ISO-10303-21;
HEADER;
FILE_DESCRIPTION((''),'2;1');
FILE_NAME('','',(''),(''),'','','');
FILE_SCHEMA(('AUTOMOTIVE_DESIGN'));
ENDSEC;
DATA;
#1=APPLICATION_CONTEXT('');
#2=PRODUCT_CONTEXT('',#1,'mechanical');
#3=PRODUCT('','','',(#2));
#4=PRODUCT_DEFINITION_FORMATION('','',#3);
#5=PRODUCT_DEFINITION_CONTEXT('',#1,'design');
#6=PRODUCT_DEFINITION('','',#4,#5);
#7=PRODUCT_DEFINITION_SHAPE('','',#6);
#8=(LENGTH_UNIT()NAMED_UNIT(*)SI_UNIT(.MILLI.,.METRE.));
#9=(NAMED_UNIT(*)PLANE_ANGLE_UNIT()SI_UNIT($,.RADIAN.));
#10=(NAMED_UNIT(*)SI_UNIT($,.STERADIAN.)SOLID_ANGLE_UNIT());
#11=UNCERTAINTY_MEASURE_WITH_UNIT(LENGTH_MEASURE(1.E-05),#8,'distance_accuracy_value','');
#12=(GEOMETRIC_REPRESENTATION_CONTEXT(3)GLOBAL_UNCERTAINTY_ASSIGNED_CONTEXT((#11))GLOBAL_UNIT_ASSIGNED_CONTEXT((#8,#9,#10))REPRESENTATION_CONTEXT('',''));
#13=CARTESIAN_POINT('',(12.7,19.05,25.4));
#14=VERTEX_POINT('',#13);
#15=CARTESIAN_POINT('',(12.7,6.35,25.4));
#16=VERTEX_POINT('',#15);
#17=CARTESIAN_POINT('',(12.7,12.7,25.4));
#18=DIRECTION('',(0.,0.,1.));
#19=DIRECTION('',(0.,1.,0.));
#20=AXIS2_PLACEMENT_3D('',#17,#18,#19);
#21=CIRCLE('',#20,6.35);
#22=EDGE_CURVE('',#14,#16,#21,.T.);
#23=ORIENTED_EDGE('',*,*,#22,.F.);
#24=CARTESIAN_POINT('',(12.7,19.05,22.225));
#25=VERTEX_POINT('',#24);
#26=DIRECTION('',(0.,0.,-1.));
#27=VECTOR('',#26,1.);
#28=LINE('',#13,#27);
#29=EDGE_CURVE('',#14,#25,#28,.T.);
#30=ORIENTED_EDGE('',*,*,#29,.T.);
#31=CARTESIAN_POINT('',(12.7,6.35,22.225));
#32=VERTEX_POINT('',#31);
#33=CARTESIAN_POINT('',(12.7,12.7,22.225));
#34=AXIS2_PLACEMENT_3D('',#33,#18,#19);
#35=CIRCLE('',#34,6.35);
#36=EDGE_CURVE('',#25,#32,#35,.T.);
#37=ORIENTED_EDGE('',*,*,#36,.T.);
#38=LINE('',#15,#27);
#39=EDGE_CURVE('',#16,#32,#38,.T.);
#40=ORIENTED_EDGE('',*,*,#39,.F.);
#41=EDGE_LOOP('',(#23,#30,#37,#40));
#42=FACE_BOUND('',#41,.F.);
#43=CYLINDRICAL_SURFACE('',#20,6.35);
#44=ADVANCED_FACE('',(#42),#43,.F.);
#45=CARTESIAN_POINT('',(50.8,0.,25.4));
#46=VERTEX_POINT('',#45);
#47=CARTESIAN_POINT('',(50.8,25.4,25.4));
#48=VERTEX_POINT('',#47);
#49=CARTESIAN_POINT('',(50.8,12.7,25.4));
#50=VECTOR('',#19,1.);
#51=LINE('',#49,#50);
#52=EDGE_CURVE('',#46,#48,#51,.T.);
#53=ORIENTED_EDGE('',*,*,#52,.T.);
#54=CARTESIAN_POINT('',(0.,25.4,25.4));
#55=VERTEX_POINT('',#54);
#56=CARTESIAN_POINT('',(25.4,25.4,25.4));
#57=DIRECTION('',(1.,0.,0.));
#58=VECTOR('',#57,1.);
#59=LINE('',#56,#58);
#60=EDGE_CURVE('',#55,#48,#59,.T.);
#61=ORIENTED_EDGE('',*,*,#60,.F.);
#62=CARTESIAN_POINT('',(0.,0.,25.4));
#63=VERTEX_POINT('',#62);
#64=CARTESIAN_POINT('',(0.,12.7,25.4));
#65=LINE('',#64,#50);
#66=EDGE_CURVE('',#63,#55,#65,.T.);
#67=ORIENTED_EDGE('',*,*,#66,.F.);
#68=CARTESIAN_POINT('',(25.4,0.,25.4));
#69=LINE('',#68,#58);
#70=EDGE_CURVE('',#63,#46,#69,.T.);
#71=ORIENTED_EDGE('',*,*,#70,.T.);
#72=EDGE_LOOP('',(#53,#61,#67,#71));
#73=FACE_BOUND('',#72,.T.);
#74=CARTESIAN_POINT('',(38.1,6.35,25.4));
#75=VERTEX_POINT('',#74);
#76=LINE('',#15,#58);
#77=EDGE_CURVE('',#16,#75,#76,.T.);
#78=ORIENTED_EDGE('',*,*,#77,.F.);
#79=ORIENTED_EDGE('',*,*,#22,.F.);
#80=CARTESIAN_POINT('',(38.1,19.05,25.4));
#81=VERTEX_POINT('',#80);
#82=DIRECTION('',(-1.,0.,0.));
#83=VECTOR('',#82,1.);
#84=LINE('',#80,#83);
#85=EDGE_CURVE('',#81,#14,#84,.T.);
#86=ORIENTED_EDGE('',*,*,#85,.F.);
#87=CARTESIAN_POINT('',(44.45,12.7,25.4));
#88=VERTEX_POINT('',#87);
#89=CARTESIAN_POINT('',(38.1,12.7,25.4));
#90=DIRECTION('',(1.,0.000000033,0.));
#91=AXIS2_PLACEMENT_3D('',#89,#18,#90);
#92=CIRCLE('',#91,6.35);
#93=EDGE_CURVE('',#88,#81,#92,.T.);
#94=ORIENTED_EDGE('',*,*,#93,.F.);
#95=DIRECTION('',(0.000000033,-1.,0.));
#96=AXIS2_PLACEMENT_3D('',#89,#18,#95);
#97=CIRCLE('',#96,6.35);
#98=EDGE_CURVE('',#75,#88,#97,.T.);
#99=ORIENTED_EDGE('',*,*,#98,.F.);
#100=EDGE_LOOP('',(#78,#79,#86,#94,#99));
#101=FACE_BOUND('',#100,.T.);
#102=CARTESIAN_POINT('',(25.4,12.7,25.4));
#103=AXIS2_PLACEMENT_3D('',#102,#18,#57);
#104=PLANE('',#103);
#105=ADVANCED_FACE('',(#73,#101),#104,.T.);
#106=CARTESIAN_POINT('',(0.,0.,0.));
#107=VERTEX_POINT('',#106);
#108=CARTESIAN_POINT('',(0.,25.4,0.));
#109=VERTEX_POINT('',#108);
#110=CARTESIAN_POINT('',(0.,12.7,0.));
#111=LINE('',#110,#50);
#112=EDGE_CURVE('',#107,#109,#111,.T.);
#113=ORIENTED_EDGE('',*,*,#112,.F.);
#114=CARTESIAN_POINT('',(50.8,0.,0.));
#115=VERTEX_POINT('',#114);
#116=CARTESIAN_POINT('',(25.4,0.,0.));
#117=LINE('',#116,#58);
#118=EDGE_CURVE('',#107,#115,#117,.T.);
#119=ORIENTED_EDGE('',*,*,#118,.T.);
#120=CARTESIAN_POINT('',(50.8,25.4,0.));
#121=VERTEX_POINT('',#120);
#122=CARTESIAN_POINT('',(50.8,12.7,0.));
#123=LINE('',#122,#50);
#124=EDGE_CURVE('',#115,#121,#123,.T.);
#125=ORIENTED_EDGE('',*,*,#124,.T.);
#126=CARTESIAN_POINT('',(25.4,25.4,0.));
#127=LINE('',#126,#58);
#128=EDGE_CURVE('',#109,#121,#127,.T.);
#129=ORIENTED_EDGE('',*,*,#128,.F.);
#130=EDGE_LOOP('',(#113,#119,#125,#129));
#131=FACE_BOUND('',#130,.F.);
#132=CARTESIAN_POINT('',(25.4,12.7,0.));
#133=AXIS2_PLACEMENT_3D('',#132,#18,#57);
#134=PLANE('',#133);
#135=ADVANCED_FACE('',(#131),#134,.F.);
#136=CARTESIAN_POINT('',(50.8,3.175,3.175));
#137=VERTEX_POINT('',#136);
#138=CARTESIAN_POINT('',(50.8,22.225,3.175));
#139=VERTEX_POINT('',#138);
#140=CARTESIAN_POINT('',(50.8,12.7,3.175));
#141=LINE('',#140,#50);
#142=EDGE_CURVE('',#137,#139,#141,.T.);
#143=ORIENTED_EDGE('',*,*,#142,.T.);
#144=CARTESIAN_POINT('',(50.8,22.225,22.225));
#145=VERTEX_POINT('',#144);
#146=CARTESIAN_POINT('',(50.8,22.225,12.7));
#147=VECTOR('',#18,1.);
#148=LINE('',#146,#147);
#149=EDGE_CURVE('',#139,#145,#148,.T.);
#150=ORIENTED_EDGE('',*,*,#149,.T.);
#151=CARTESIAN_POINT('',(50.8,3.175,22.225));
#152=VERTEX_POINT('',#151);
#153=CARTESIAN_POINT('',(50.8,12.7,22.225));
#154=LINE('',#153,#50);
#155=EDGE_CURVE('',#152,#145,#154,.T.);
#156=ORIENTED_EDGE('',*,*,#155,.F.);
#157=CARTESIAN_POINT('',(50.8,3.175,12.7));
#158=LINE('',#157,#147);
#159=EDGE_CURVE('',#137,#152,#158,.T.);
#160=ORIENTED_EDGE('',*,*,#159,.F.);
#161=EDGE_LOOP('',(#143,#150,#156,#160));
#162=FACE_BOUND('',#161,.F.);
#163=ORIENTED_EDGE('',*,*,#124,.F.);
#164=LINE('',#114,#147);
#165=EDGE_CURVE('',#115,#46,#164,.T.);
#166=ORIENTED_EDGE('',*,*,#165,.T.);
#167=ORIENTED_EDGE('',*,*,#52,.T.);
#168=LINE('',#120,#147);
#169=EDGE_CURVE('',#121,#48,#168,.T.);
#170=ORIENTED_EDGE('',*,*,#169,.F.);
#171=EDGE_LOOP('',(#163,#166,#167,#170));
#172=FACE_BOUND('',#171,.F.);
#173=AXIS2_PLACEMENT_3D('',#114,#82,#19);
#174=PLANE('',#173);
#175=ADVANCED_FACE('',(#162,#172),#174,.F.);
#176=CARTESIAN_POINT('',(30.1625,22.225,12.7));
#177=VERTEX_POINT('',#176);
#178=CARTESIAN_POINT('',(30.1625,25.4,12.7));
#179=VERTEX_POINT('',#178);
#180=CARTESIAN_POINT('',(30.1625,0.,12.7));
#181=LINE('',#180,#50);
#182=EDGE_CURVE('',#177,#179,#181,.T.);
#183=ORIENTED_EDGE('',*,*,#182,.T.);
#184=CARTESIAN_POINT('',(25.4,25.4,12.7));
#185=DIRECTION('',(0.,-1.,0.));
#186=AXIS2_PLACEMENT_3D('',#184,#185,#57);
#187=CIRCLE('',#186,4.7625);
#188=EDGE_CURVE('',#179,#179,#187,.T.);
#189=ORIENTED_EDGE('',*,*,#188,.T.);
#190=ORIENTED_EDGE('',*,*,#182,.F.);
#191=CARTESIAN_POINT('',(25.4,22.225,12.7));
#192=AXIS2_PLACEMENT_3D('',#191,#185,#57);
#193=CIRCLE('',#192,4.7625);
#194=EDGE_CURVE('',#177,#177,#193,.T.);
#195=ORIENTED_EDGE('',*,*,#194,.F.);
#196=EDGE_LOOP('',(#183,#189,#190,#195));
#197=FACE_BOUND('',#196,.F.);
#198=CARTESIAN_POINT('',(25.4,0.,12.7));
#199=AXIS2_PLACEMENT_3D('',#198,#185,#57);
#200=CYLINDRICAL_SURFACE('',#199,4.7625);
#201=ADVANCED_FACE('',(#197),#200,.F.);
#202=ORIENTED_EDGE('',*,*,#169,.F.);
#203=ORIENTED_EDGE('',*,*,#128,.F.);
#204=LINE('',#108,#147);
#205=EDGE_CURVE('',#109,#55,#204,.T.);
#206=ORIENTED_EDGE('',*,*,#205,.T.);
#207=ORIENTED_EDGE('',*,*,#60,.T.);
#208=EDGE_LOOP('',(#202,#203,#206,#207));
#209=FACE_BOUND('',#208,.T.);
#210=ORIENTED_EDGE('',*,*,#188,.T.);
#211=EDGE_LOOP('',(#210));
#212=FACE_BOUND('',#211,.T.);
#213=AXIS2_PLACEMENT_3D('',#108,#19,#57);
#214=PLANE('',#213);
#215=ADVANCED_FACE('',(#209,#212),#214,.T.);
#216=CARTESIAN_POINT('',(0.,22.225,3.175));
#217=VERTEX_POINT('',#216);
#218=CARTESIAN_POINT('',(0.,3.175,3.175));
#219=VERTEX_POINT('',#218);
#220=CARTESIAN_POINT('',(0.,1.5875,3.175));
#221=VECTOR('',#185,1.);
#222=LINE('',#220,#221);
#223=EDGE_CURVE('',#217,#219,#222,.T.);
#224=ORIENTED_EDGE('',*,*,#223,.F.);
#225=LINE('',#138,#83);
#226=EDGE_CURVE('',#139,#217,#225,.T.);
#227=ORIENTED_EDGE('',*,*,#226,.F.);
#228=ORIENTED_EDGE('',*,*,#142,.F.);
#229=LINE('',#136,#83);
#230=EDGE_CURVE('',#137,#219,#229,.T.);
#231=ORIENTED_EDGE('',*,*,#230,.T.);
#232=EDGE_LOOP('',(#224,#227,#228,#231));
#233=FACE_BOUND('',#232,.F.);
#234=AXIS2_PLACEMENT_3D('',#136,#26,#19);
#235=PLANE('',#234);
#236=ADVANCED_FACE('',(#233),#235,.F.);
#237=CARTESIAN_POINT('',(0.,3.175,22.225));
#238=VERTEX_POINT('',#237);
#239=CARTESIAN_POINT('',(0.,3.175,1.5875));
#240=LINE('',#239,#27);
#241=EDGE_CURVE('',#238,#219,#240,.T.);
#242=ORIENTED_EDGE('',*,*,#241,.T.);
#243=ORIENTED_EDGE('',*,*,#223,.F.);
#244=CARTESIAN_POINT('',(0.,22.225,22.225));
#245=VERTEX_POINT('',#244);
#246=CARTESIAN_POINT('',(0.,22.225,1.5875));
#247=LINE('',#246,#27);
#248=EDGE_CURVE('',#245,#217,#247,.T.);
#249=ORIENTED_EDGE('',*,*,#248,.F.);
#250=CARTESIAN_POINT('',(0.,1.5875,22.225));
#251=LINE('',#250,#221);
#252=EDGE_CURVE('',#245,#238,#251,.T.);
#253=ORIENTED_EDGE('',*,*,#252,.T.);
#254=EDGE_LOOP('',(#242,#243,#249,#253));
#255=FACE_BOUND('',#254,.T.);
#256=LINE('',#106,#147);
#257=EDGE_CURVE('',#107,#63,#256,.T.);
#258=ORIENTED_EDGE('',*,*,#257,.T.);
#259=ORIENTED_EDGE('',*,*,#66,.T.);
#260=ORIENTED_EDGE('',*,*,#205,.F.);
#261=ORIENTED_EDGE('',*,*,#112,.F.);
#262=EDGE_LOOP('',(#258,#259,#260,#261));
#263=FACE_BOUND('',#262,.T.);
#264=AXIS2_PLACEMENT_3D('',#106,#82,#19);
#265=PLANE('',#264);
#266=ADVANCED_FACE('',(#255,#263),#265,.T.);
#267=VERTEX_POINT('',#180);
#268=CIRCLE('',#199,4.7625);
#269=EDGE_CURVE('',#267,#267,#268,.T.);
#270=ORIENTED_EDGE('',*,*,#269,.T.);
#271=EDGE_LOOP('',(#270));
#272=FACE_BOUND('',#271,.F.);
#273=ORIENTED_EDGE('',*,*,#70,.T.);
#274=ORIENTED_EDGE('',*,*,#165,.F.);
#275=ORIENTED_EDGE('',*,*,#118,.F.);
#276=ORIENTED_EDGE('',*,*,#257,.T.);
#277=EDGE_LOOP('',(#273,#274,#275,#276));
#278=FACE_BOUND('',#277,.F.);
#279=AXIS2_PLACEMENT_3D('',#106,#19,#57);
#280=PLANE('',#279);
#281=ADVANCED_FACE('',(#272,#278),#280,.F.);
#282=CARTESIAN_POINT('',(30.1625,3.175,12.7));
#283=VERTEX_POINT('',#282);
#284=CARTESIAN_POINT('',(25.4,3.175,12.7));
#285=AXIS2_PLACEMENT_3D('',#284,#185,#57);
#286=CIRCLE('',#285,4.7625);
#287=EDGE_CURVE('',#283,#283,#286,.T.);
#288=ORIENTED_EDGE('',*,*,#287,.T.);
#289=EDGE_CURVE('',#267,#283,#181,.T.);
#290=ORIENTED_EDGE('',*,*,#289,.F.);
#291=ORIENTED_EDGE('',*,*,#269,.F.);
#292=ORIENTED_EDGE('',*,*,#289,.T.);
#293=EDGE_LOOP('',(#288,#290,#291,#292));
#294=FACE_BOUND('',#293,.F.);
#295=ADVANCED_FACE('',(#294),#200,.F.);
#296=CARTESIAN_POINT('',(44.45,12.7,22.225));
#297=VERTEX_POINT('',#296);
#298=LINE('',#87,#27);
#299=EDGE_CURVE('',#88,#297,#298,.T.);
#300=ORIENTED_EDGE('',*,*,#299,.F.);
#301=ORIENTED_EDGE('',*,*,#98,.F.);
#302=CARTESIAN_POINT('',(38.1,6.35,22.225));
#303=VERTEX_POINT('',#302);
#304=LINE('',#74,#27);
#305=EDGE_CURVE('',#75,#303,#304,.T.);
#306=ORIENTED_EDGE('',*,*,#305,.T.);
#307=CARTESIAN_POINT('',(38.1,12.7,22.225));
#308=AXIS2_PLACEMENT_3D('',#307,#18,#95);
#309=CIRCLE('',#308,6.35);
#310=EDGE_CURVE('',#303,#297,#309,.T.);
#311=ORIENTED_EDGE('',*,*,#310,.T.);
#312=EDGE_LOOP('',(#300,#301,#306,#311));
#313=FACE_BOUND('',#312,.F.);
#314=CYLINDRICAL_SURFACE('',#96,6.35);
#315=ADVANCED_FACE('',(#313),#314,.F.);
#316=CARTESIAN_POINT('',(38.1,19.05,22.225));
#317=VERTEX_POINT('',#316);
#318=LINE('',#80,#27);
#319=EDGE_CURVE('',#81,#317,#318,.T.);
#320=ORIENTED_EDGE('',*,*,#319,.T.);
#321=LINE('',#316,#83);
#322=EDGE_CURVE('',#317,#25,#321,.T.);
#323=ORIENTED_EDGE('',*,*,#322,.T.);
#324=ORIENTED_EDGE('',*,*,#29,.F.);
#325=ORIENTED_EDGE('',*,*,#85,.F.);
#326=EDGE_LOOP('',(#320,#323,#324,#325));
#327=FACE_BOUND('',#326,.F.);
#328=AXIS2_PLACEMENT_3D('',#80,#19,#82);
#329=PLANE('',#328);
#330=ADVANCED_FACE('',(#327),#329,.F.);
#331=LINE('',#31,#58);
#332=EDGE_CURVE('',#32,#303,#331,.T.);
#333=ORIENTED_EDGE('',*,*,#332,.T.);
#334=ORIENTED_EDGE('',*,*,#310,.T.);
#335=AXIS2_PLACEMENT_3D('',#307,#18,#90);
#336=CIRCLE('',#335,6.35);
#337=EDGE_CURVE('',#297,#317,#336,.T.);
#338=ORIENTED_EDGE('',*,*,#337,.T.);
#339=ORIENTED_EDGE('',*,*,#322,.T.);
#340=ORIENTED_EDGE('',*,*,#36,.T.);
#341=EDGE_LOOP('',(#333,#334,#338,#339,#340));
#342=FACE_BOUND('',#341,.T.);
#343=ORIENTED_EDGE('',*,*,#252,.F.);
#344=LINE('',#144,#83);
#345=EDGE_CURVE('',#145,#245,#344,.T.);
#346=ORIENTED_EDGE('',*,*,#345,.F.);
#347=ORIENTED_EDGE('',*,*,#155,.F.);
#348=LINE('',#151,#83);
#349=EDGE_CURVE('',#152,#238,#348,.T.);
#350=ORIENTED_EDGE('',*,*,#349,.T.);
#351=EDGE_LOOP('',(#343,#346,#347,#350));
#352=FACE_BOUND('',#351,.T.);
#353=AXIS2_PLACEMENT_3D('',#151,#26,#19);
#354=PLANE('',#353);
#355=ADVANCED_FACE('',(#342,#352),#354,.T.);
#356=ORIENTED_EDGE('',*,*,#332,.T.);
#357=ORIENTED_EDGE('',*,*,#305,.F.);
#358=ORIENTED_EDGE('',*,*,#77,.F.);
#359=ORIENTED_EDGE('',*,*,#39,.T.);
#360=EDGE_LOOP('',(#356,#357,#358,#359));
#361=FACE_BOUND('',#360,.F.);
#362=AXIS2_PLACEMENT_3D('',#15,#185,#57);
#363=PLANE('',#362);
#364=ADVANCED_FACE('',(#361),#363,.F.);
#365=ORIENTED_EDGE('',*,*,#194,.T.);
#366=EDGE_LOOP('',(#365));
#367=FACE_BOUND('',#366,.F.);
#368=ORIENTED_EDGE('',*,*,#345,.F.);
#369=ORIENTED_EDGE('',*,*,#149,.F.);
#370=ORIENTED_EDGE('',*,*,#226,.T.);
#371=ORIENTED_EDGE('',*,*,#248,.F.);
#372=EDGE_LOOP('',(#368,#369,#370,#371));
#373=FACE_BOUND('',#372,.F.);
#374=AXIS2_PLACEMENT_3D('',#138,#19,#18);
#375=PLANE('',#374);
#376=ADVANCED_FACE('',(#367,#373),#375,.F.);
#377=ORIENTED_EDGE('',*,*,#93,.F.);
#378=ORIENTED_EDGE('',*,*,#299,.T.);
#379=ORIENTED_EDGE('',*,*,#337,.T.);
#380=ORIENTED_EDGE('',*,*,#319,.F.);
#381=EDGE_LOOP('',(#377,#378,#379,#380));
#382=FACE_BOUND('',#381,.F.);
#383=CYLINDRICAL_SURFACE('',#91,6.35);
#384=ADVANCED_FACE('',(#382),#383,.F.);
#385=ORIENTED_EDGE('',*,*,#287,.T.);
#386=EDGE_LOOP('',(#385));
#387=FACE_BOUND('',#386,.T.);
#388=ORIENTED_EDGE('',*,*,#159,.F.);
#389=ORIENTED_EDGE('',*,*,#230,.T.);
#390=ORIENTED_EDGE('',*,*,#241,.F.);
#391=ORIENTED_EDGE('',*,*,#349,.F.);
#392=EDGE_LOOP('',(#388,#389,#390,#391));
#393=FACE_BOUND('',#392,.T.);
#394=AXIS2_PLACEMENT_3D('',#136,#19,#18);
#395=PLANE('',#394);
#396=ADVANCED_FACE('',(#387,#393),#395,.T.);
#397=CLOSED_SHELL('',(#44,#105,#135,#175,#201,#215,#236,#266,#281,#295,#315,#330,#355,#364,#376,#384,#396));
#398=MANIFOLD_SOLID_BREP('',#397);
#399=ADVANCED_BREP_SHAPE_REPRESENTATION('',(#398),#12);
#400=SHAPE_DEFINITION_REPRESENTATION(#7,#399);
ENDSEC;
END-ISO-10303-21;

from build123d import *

# Parameters (mm, degrees)
F0_W     = 50.8
F0_H     = 25.4
F1_DEPTH = 25.4
F2_W     = 19.05
F2_H     = 19.05
F3_DEPTH = 50.801
F4_R     = 4.7625
F5_DEPTH = 25.401
F7_DEPTH = 3.175


with BuildPart() as f1:
    # F0 (on Top) → F1 (new body)
    with BuildSketch(Plane.XY):
        with Locations((25.4, 12.7)):
            Rectangle(F0_W, F0_H)
    extrude(amount=F1_DEPTH)

    # F2 (on face) → F3 (cut, through all)
    with BuildSketch(Plane.YZ.offset(50.8)):
        with Locations((12.7, 12.7)):
            Rectangle(F2_W, F2_H)
    extrude(amount=-F3_DEPTH, mode=Mode.SUBTRACT)

    # F4 (on face) → F5 (cut, through all)
    with BuildSketch(Plane.XZ):
        with Locations((25.4, 12.7)):
            Circle(F4_R)
    extrude(amount=-F5_DEPTH, mode=Mode.SUBTRACT)

    # F6 (on face) → F7 (cut, through all)
    with BuildSketch(Plane.XY.offset(25.4)):
        with BuildLine():
            ThreePointArc((12.7, 19.05), (6.35, 12.7), (12.7, 6.35))
            Line((12.7, 6.35), (12.7, 19.05))
        make_face()
        with BuildLine():
            Line((12.7, 19.05), (12.7, 6.35))
            ThreePointArc((12.7, 6.35), (17.190128, 8.209872), (19.05, 12.7))
            ThreePointArc((19.05, 12.7), (17.190128, 17.190128), (12.7, 19.05))
        make_face()
        with BuildLine():
            Line((12.7, 6.35), (38.1, 6.35))
            ThreePointArc((38.1, 6.35), (31.75, 12.7), (38.1, 19.05))
            Line((38.1, 19.05), (12.7, 19.05))
            ThreePointArc((12.7, 19.05), (17.190128, 17.190128), (19.05, 12.7))
            ThreePointArc((19.05, 12.7), (17.190128, 8.209872), (12.7, 6.35))
        make_face()
        with BuildLine():
            ThreePointArc((38.1, 19.05), (31.75, 12.7), (38.1, 6.35))
            Line((38.1, 6.35), (38.1, 19.05))
        make_face()
        with BuildLine():
            Line((38.1, 19.05), (38.1, 6.35))
            ThreePointArc((38.1, 6.35), (42.590128, 8.209872), (44.45, 12.7))
            ThreePointArc((44.45, 12.7), (42.590128, 17.190128), (38.1, 19.05))
        make_face()
    extrude(amount=-F7_DEPTH, mode=Mode.SUBTRACT)


solid = f1.part
